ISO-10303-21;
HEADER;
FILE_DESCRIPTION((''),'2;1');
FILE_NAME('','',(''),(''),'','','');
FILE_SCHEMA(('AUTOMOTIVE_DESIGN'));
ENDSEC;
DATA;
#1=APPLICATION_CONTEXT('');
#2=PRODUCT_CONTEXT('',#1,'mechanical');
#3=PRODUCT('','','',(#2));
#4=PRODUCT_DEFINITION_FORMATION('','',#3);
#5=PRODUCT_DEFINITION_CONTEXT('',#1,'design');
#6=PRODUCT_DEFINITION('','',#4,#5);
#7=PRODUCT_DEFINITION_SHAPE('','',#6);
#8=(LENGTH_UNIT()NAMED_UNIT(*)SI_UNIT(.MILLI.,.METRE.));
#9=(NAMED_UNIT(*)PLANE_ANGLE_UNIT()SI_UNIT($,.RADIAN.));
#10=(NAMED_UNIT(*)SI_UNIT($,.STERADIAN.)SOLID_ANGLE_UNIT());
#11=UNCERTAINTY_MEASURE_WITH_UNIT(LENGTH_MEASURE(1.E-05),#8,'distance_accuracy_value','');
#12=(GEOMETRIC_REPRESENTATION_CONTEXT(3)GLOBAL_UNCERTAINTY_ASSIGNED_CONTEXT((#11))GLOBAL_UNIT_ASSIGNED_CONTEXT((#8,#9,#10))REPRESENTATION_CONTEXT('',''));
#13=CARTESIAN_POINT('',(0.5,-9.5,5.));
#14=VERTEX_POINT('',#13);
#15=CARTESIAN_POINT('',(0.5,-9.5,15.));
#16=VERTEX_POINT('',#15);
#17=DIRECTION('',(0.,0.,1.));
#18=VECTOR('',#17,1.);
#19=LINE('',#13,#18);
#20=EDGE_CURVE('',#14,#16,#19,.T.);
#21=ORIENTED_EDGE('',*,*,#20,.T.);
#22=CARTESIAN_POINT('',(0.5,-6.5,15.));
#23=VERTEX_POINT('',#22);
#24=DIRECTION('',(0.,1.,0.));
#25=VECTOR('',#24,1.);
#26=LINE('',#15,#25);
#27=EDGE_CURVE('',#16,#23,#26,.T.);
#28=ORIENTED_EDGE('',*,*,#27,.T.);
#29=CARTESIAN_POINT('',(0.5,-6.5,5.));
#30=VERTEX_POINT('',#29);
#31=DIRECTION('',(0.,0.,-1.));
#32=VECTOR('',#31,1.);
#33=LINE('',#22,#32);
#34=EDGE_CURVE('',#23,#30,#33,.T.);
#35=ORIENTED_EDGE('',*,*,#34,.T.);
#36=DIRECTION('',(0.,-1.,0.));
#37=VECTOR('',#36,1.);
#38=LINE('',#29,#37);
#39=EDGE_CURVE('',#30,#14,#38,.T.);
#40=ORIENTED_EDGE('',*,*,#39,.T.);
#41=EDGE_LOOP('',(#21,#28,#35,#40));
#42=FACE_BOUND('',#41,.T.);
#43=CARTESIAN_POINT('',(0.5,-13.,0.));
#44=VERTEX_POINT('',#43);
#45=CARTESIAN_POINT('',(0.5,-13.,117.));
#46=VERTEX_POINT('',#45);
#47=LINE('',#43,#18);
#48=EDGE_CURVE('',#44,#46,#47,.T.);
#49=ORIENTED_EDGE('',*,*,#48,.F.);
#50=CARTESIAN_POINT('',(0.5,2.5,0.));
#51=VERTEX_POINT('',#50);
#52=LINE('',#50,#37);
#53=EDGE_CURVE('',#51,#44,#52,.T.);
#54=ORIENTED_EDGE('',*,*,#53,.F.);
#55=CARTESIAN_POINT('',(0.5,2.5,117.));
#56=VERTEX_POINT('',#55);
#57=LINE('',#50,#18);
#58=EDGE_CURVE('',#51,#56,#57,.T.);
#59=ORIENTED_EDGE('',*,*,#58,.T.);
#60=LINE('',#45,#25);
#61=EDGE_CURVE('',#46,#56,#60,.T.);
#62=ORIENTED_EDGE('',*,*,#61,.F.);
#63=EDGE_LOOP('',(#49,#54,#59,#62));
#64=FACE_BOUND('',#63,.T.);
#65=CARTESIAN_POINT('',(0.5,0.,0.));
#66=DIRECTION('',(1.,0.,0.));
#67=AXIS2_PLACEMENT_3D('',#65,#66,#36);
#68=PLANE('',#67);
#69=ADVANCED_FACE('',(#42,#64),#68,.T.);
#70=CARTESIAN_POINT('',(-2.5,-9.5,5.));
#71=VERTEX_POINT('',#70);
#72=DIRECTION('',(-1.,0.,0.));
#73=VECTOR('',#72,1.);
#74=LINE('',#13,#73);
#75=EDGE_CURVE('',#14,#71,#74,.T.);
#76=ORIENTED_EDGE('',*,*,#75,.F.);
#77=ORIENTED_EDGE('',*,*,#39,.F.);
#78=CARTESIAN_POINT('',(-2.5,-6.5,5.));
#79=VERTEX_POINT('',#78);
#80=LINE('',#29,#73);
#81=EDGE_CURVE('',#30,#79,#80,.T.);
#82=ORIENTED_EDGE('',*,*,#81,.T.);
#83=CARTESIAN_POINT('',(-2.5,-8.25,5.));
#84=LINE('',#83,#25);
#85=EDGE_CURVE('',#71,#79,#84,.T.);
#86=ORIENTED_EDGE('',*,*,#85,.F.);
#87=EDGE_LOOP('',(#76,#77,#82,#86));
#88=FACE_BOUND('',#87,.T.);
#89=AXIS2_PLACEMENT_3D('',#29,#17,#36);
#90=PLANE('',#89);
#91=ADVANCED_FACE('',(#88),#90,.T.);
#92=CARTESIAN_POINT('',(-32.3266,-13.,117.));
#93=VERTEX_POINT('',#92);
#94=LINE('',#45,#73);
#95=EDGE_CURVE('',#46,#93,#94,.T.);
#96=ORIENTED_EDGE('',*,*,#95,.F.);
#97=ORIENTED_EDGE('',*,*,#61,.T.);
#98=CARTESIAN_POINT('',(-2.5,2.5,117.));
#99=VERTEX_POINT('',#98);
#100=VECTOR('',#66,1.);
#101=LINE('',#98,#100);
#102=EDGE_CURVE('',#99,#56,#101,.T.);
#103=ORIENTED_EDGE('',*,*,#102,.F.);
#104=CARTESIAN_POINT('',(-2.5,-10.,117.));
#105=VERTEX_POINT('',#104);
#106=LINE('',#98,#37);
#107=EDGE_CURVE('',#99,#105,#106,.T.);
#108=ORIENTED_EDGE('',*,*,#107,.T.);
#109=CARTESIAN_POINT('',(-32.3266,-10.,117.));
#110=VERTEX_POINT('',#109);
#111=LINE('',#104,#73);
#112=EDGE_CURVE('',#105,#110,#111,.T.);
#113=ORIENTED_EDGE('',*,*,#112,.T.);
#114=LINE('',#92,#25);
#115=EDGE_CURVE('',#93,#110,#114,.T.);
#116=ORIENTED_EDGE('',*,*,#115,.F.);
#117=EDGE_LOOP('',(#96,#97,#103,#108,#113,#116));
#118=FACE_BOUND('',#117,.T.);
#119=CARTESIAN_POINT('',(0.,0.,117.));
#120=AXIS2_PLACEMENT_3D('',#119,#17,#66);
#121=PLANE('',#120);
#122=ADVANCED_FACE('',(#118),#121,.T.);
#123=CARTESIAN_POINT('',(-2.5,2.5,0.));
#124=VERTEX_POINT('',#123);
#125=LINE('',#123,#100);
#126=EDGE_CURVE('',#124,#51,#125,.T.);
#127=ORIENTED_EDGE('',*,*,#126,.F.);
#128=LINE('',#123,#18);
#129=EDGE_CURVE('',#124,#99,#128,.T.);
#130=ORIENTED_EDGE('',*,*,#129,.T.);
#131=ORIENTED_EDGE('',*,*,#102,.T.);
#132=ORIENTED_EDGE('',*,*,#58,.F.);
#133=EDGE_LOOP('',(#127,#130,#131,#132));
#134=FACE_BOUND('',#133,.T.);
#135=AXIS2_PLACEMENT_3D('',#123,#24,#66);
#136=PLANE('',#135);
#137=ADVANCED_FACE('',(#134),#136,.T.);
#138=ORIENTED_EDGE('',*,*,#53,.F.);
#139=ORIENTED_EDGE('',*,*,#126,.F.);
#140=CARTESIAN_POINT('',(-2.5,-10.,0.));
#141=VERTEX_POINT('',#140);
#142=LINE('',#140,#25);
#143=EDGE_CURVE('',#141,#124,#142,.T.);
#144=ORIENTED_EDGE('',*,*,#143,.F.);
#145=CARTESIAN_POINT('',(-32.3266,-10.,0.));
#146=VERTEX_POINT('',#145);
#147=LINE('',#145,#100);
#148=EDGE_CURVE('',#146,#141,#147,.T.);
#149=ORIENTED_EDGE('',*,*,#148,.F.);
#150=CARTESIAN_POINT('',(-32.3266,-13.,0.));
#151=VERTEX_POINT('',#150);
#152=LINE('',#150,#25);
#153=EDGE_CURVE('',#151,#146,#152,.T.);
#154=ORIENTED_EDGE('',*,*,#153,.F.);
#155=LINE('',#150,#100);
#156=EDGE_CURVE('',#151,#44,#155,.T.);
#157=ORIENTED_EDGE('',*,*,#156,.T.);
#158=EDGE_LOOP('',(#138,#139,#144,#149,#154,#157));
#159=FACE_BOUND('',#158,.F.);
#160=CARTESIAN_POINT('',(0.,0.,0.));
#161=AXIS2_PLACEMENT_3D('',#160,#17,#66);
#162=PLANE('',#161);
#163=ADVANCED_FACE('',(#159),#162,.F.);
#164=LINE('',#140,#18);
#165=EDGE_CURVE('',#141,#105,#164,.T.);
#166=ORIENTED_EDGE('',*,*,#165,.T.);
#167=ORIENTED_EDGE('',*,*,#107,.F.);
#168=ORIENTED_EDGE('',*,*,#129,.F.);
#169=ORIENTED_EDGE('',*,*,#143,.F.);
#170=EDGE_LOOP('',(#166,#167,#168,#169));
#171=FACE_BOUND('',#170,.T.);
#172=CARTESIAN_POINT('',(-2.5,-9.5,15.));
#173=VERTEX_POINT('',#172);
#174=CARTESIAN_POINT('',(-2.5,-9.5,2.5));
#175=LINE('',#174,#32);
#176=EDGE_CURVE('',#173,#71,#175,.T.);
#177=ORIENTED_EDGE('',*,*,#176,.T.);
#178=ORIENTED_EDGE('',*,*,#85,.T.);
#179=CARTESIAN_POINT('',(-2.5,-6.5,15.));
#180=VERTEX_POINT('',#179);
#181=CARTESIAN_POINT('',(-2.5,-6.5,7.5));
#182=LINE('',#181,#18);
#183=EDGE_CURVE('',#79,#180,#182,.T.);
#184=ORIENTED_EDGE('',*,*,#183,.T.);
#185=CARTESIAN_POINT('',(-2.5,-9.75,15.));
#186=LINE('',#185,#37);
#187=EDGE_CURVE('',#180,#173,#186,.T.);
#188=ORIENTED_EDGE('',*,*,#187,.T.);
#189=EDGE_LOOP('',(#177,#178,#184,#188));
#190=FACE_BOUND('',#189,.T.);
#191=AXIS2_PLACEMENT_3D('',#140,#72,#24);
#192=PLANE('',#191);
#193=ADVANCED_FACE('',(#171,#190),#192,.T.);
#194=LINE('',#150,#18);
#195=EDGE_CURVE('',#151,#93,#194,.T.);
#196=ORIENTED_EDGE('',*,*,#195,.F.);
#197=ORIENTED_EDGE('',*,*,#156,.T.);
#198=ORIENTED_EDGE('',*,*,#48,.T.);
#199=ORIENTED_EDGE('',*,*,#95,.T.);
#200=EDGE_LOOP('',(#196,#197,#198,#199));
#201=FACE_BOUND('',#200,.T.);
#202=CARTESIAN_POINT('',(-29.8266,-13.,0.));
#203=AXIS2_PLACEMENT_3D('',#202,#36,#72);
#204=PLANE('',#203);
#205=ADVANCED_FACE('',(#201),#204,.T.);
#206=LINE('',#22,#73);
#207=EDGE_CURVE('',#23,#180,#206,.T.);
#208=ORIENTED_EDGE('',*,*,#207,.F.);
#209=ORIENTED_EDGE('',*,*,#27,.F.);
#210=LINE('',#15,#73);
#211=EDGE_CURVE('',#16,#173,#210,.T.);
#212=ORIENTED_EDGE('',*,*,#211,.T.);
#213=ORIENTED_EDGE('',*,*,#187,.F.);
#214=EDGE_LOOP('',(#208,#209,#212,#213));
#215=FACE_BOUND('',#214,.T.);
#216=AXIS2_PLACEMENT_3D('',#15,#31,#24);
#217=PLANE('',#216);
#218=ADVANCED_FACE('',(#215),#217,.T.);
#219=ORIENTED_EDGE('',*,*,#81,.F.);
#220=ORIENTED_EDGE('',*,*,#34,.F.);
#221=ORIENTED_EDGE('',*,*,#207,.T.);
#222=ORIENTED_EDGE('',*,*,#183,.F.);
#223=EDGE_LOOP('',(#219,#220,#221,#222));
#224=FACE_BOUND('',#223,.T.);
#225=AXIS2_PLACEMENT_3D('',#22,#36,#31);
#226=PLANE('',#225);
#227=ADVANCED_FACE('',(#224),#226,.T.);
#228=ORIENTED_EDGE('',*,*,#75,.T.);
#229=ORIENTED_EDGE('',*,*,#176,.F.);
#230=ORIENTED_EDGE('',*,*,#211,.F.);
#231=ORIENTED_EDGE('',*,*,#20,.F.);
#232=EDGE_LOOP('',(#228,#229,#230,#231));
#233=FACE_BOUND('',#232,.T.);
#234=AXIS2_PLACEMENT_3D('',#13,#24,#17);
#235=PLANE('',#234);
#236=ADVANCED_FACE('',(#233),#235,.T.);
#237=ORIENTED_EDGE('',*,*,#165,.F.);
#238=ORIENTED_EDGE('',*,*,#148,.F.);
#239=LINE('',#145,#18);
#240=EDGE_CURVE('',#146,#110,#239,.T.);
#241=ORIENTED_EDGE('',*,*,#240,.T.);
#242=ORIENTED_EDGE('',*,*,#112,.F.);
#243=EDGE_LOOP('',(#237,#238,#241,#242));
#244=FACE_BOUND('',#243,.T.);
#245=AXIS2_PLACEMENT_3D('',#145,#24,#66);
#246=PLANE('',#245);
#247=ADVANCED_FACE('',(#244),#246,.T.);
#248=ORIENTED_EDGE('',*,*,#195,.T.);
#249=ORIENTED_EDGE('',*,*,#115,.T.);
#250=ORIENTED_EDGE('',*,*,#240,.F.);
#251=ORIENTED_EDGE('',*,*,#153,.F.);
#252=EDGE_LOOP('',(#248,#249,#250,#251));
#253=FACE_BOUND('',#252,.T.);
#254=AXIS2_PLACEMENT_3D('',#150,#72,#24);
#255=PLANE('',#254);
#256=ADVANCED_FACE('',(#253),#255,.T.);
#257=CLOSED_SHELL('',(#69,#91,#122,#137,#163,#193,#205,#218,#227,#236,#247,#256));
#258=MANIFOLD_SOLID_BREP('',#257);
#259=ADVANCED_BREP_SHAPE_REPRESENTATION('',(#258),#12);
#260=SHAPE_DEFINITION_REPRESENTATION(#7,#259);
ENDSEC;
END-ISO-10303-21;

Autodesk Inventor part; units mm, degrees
ref_plane "YZ Plane" through (0, 0, 0) normal (1, 0, 0) x (0, 1, 0)
sketch "Sketch1" plane through (0, 0, 0) normal (0, 0, 1) x (1, 0, 0)
  line L0 (-39.0826, -45) -> (39.0826, -45) projected
  line L1 (39.0826, -45) -> (36.4496, -25) projected
  line L2 (31.4064, -25) -> (36.4496, -25) projected
  line L3 (28.1151, 0) -> (31.4064, -25) projected
  line L4 (0.5, 0) -> (28.1151, 0) projected
  line L5 (0.5, 2.5) -> (0.5, 0) projected
  line L6 (-2.5, 2.5) -> (0.5, 2.5) projected
  line L7 (-2.5, 0) -> (-2.5, 2.5) projected
  line L8 (-28.1151, 0) -> (-2.5, 0) projected
  line L9 (-29.4316, -10) -> (-28.1151, 0) projected
  line L10 (-32.3266, -10) -> (-29.4316, -10) projected
  line L11 (-32.3266, -13) -> (-32.3266, -10) projected
  line L12 (-29.8266, -13) -> (-32.3266, -13) projected
  line L13 (-31.4064, -25) -> (-29.8266, -13) projected
  line L14 (-36.4496, -25) -> (-31.4064, -25) projected
  line L15 (-36.4496, -25) -> (-39.0826, -45) projected
  line L16 (-32.3266, -10) -> (-2.5, -10)
  line L17 (-2.5, -10) -> (-2.5, -13)
  line L18 (-2.5, -13) -> (-32.3266, -13)
  line L19 (-32.3266, -13) -> (-32.3266, -10)
  line L20 (-2.5, 2.5) -> (0.5, 2.5)
  line L21 (0.5, 2.5) -> (0.5, -13)
  line L22 (0.5, -13) -> (-2.5, -13)
  line L23 (-2.5, -13) -> (-2.5, 2.5)
  point P0 (0, 0)
  point P1 (-2.5, -10)
ref_plane "Work Plane1" through (-36.4496, -25, 120) normal (0, 0, 1) x (1, 0, 0)
ref_plane "Work Plane2" through (-35.4409, -25, 117) normal (0, 0, 1) x (1, 0, 0)
extrude "Extrusion1" add sketch "Sketch1" along normal up to surface (117 mm away) contours L12 L11 L10 L16 L17 L18 | L17 L23 L7 L6 L5 L21 L22
sketch "Sketch2" plane through (0.5, -13, 0) normal (1, 0, 0) x (0, 0, -1)
  point P0 (0, 13)
sketch "Sketch3" plane through (0.5, -13, 0) normal (1, 0, 0) x (0, 0, -1)
  line L0 (-15, 6.5) -> (-5, 6.5)
  line L1 (-5, 6.5) -> (-5, 3.5)
  line L2 (-5, 3.5) -> (-15, 3.5)
  line L3 (-15, 3.5) -> (-15, 6.5)
  line L4 (0, 3) -> (-117, 3) projected
  line L5 (0, 0) -> (0, 15.5) projected
  point P0 (0, 13)
  dimension "d2" = 10
  dimension "d3" = 3
  dimension "d4" = 0.5
  dimension "d5" = 5
extrude "Extrusion2" cut sketch "Sketch3" against normal through all
properties part number "hull_servo_cable_lid"
